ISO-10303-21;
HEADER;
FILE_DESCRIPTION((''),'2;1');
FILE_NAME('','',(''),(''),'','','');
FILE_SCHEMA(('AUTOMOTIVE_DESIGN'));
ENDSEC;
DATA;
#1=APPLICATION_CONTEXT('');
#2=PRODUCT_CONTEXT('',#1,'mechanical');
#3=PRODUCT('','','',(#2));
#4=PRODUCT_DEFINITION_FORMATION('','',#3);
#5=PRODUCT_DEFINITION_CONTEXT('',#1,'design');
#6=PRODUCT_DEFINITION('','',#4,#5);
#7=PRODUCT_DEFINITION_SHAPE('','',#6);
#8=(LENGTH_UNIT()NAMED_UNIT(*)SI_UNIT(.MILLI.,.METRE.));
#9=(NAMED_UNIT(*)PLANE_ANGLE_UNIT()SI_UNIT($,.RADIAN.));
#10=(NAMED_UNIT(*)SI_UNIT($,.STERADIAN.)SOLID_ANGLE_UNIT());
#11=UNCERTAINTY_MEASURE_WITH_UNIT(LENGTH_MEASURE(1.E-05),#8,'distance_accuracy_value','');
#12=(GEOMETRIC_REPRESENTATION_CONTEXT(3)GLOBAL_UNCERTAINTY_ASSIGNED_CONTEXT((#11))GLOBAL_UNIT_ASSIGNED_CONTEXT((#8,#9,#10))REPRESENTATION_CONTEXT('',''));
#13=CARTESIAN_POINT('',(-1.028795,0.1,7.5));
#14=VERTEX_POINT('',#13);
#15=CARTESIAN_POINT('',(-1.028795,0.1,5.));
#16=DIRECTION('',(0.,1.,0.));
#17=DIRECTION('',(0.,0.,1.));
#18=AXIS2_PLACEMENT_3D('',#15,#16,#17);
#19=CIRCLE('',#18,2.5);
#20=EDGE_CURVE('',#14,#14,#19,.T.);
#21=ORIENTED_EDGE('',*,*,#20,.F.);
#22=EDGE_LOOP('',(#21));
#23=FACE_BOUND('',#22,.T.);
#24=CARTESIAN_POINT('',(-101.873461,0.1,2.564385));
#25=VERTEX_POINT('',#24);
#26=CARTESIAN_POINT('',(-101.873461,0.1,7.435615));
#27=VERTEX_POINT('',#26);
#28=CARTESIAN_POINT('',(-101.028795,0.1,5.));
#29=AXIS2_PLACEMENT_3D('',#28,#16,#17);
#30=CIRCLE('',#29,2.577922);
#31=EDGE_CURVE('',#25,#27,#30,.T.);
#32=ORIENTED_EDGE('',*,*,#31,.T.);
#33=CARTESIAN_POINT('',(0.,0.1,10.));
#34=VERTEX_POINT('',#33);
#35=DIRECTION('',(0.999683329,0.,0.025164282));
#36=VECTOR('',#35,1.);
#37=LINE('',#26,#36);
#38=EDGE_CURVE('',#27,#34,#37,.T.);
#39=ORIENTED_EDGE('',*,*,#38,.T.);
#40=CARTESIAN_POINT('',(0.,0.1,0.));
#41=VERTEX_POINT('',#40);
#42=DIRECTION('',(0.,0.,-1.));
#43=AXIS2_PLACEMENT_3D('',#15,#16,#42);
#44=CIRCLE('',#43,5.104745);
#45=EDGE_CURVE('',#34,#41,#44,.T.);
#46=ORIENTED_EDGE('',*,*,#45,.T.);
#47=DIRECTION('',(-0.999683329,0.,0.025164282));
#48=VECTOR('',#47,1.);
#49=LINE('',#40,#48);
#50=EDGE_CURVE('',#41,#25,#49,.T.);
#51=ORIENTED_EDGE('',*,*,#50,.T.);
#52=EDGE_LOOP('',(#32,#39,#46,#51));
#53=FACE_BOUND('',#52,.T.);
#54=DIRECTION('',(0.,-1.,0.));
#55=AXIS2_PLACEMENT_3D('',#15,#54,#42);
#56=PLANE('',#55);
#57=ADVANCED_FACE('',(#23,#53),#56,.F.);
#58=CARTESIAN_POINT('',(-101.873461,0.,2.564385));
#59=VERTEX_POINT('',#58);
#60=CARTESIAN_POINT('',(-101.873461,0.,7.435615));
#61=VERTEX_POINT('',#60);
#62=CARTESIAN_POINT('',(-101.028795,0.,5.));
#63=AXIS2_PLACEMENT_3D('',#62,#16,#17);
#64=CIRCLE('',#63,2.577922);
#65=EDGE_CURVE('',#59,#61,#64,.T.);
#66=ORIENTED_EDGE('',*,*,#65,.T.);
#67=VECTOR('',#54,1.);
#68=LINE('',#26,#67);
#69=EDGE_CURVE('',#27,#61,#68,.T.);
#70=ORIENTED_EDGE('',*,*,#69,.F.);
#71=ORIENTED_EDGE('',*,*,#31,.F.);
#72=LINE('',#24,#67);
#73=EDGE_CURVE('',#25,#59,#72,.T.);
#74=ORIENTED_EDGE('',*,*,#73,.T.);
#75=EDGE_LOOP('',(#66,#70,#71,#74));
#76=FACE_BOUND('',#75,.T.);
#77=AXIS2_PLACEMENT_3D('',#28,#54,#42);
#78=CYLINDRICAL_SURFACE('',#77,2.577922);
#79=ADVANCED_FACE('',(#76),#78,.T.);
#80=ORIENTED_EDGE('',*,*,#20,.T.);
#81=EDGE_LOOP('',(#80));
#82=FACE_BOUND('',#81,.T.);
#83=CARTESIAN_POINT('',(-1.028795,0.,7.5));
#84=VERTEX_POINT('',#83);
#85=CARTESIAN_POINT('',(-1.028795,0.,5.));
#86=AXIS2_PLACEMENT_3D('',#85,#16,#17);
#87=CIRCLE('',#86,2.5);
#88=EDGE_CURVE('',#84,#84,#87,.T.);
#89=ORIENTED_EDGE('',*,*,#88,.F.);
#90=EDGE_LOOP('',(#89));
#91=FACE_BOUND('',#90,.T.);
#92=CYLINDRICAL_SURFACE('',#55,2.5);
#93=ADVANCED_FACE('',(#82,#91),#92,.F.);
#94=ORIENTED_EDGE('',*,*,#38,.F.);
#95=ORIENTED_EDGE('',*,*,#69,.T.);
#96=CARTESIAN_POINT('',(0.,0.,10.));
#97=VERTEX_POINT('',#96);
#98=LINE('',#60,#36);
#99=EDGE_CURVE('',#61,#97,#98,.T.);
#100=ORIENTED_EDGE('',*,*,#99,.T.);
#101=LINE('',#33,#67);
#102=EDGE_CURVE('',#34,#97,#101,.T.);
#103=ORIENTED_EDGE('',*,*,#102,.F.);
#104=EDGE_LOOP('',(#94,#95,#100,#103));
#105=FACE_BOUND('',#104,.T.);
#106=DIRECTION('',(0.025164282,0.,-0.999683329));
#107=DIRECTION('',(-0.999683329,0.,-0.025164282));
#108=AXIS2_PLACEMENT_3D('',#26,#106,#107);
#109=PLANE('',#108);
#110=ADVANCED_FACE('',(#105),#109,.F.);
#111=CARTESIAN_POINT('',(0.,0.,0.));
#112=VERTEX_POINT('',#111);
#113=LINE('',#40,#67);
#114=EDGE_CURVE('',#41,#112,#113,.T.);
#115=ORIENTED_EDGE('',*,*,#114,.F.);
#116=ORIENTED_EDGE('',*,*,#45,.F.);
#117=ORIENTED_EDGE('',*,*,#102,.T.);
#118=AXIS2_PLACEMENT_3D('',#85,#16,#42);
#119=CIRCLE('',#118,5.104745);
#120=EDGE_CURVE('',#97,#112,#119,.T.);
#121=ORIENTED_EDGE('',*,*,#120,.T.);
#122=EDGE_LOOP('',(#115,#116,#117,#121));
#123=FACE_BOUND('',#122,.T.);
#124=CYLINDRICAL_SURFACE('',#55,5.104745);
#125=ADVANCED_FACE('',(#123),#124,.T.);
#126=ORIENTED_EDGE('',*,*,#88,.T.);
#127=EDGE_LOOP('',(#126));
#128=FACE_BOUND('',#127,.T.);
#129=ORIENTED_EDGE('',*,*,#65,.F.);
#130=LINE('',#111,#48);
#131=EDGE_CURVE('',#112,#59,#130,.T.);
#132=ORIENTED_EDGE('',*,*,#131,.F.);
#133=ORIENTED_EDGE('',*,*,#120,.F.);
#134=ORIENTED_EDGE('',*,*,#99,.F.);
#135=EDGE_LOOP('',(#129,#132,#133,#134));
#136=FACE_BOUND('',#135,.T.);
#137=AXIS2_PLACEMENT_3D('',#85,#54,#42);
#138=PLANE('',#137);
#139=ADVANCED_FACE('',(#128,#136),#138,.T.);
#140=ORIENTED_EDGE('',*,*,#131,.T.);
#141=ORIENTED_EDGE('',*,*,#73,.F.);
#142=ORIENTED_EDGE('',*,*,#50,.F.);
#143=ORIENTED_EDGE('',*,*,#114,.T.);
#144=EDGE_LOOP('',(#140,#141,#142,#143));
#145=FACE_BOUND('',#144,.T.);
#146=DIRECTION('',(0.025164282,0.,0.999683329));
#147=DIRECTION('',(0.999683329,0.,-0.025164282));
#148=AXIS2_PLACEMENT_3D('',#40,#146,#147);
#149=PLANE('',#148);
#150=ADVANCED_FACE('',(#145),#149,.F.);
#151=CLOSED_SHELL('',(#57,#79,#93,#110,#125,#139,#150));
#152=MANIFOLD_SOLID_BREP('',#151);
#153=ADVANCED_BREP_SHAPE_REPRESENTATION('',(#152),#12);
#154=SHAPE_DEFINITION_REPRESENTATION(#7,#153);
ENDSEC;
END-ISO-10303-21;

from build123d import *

# Parameters (mm, degrees)
SKETCH1_R           = 2.5
BOSS_EXTRUDE1_DEPTH = 0.1


with BuildPart() as part:
    # Sketch1 → Boss-Extrude1 (new body)
    with BuildSketch(Plane(origin=(0, 0, 0), x_dir=(1, 0, 0), z_dir=(0, 1, 0))):
        with BuildLine():
            Line((0, 0), (-101.873461229, -2.564384609))
            ThreePointArc((-101.873461229, -2.564384609), (-103.606717283, -5), (-101.873461229, -7.435615391))
            Line((-101.873461229, -7.435615391), (0, -10))
            ThreePointArc((0, -10), (4.075949785, -5), (0, 0))
        make_face()
        with Locations((-1.028794979, -5)):
            Circle(SKETCH1_R, mode=Mode.SUBTRACT)
    extrude(amount=BOSS_EXTRUDE1_DEPTH)


solid = part.part
